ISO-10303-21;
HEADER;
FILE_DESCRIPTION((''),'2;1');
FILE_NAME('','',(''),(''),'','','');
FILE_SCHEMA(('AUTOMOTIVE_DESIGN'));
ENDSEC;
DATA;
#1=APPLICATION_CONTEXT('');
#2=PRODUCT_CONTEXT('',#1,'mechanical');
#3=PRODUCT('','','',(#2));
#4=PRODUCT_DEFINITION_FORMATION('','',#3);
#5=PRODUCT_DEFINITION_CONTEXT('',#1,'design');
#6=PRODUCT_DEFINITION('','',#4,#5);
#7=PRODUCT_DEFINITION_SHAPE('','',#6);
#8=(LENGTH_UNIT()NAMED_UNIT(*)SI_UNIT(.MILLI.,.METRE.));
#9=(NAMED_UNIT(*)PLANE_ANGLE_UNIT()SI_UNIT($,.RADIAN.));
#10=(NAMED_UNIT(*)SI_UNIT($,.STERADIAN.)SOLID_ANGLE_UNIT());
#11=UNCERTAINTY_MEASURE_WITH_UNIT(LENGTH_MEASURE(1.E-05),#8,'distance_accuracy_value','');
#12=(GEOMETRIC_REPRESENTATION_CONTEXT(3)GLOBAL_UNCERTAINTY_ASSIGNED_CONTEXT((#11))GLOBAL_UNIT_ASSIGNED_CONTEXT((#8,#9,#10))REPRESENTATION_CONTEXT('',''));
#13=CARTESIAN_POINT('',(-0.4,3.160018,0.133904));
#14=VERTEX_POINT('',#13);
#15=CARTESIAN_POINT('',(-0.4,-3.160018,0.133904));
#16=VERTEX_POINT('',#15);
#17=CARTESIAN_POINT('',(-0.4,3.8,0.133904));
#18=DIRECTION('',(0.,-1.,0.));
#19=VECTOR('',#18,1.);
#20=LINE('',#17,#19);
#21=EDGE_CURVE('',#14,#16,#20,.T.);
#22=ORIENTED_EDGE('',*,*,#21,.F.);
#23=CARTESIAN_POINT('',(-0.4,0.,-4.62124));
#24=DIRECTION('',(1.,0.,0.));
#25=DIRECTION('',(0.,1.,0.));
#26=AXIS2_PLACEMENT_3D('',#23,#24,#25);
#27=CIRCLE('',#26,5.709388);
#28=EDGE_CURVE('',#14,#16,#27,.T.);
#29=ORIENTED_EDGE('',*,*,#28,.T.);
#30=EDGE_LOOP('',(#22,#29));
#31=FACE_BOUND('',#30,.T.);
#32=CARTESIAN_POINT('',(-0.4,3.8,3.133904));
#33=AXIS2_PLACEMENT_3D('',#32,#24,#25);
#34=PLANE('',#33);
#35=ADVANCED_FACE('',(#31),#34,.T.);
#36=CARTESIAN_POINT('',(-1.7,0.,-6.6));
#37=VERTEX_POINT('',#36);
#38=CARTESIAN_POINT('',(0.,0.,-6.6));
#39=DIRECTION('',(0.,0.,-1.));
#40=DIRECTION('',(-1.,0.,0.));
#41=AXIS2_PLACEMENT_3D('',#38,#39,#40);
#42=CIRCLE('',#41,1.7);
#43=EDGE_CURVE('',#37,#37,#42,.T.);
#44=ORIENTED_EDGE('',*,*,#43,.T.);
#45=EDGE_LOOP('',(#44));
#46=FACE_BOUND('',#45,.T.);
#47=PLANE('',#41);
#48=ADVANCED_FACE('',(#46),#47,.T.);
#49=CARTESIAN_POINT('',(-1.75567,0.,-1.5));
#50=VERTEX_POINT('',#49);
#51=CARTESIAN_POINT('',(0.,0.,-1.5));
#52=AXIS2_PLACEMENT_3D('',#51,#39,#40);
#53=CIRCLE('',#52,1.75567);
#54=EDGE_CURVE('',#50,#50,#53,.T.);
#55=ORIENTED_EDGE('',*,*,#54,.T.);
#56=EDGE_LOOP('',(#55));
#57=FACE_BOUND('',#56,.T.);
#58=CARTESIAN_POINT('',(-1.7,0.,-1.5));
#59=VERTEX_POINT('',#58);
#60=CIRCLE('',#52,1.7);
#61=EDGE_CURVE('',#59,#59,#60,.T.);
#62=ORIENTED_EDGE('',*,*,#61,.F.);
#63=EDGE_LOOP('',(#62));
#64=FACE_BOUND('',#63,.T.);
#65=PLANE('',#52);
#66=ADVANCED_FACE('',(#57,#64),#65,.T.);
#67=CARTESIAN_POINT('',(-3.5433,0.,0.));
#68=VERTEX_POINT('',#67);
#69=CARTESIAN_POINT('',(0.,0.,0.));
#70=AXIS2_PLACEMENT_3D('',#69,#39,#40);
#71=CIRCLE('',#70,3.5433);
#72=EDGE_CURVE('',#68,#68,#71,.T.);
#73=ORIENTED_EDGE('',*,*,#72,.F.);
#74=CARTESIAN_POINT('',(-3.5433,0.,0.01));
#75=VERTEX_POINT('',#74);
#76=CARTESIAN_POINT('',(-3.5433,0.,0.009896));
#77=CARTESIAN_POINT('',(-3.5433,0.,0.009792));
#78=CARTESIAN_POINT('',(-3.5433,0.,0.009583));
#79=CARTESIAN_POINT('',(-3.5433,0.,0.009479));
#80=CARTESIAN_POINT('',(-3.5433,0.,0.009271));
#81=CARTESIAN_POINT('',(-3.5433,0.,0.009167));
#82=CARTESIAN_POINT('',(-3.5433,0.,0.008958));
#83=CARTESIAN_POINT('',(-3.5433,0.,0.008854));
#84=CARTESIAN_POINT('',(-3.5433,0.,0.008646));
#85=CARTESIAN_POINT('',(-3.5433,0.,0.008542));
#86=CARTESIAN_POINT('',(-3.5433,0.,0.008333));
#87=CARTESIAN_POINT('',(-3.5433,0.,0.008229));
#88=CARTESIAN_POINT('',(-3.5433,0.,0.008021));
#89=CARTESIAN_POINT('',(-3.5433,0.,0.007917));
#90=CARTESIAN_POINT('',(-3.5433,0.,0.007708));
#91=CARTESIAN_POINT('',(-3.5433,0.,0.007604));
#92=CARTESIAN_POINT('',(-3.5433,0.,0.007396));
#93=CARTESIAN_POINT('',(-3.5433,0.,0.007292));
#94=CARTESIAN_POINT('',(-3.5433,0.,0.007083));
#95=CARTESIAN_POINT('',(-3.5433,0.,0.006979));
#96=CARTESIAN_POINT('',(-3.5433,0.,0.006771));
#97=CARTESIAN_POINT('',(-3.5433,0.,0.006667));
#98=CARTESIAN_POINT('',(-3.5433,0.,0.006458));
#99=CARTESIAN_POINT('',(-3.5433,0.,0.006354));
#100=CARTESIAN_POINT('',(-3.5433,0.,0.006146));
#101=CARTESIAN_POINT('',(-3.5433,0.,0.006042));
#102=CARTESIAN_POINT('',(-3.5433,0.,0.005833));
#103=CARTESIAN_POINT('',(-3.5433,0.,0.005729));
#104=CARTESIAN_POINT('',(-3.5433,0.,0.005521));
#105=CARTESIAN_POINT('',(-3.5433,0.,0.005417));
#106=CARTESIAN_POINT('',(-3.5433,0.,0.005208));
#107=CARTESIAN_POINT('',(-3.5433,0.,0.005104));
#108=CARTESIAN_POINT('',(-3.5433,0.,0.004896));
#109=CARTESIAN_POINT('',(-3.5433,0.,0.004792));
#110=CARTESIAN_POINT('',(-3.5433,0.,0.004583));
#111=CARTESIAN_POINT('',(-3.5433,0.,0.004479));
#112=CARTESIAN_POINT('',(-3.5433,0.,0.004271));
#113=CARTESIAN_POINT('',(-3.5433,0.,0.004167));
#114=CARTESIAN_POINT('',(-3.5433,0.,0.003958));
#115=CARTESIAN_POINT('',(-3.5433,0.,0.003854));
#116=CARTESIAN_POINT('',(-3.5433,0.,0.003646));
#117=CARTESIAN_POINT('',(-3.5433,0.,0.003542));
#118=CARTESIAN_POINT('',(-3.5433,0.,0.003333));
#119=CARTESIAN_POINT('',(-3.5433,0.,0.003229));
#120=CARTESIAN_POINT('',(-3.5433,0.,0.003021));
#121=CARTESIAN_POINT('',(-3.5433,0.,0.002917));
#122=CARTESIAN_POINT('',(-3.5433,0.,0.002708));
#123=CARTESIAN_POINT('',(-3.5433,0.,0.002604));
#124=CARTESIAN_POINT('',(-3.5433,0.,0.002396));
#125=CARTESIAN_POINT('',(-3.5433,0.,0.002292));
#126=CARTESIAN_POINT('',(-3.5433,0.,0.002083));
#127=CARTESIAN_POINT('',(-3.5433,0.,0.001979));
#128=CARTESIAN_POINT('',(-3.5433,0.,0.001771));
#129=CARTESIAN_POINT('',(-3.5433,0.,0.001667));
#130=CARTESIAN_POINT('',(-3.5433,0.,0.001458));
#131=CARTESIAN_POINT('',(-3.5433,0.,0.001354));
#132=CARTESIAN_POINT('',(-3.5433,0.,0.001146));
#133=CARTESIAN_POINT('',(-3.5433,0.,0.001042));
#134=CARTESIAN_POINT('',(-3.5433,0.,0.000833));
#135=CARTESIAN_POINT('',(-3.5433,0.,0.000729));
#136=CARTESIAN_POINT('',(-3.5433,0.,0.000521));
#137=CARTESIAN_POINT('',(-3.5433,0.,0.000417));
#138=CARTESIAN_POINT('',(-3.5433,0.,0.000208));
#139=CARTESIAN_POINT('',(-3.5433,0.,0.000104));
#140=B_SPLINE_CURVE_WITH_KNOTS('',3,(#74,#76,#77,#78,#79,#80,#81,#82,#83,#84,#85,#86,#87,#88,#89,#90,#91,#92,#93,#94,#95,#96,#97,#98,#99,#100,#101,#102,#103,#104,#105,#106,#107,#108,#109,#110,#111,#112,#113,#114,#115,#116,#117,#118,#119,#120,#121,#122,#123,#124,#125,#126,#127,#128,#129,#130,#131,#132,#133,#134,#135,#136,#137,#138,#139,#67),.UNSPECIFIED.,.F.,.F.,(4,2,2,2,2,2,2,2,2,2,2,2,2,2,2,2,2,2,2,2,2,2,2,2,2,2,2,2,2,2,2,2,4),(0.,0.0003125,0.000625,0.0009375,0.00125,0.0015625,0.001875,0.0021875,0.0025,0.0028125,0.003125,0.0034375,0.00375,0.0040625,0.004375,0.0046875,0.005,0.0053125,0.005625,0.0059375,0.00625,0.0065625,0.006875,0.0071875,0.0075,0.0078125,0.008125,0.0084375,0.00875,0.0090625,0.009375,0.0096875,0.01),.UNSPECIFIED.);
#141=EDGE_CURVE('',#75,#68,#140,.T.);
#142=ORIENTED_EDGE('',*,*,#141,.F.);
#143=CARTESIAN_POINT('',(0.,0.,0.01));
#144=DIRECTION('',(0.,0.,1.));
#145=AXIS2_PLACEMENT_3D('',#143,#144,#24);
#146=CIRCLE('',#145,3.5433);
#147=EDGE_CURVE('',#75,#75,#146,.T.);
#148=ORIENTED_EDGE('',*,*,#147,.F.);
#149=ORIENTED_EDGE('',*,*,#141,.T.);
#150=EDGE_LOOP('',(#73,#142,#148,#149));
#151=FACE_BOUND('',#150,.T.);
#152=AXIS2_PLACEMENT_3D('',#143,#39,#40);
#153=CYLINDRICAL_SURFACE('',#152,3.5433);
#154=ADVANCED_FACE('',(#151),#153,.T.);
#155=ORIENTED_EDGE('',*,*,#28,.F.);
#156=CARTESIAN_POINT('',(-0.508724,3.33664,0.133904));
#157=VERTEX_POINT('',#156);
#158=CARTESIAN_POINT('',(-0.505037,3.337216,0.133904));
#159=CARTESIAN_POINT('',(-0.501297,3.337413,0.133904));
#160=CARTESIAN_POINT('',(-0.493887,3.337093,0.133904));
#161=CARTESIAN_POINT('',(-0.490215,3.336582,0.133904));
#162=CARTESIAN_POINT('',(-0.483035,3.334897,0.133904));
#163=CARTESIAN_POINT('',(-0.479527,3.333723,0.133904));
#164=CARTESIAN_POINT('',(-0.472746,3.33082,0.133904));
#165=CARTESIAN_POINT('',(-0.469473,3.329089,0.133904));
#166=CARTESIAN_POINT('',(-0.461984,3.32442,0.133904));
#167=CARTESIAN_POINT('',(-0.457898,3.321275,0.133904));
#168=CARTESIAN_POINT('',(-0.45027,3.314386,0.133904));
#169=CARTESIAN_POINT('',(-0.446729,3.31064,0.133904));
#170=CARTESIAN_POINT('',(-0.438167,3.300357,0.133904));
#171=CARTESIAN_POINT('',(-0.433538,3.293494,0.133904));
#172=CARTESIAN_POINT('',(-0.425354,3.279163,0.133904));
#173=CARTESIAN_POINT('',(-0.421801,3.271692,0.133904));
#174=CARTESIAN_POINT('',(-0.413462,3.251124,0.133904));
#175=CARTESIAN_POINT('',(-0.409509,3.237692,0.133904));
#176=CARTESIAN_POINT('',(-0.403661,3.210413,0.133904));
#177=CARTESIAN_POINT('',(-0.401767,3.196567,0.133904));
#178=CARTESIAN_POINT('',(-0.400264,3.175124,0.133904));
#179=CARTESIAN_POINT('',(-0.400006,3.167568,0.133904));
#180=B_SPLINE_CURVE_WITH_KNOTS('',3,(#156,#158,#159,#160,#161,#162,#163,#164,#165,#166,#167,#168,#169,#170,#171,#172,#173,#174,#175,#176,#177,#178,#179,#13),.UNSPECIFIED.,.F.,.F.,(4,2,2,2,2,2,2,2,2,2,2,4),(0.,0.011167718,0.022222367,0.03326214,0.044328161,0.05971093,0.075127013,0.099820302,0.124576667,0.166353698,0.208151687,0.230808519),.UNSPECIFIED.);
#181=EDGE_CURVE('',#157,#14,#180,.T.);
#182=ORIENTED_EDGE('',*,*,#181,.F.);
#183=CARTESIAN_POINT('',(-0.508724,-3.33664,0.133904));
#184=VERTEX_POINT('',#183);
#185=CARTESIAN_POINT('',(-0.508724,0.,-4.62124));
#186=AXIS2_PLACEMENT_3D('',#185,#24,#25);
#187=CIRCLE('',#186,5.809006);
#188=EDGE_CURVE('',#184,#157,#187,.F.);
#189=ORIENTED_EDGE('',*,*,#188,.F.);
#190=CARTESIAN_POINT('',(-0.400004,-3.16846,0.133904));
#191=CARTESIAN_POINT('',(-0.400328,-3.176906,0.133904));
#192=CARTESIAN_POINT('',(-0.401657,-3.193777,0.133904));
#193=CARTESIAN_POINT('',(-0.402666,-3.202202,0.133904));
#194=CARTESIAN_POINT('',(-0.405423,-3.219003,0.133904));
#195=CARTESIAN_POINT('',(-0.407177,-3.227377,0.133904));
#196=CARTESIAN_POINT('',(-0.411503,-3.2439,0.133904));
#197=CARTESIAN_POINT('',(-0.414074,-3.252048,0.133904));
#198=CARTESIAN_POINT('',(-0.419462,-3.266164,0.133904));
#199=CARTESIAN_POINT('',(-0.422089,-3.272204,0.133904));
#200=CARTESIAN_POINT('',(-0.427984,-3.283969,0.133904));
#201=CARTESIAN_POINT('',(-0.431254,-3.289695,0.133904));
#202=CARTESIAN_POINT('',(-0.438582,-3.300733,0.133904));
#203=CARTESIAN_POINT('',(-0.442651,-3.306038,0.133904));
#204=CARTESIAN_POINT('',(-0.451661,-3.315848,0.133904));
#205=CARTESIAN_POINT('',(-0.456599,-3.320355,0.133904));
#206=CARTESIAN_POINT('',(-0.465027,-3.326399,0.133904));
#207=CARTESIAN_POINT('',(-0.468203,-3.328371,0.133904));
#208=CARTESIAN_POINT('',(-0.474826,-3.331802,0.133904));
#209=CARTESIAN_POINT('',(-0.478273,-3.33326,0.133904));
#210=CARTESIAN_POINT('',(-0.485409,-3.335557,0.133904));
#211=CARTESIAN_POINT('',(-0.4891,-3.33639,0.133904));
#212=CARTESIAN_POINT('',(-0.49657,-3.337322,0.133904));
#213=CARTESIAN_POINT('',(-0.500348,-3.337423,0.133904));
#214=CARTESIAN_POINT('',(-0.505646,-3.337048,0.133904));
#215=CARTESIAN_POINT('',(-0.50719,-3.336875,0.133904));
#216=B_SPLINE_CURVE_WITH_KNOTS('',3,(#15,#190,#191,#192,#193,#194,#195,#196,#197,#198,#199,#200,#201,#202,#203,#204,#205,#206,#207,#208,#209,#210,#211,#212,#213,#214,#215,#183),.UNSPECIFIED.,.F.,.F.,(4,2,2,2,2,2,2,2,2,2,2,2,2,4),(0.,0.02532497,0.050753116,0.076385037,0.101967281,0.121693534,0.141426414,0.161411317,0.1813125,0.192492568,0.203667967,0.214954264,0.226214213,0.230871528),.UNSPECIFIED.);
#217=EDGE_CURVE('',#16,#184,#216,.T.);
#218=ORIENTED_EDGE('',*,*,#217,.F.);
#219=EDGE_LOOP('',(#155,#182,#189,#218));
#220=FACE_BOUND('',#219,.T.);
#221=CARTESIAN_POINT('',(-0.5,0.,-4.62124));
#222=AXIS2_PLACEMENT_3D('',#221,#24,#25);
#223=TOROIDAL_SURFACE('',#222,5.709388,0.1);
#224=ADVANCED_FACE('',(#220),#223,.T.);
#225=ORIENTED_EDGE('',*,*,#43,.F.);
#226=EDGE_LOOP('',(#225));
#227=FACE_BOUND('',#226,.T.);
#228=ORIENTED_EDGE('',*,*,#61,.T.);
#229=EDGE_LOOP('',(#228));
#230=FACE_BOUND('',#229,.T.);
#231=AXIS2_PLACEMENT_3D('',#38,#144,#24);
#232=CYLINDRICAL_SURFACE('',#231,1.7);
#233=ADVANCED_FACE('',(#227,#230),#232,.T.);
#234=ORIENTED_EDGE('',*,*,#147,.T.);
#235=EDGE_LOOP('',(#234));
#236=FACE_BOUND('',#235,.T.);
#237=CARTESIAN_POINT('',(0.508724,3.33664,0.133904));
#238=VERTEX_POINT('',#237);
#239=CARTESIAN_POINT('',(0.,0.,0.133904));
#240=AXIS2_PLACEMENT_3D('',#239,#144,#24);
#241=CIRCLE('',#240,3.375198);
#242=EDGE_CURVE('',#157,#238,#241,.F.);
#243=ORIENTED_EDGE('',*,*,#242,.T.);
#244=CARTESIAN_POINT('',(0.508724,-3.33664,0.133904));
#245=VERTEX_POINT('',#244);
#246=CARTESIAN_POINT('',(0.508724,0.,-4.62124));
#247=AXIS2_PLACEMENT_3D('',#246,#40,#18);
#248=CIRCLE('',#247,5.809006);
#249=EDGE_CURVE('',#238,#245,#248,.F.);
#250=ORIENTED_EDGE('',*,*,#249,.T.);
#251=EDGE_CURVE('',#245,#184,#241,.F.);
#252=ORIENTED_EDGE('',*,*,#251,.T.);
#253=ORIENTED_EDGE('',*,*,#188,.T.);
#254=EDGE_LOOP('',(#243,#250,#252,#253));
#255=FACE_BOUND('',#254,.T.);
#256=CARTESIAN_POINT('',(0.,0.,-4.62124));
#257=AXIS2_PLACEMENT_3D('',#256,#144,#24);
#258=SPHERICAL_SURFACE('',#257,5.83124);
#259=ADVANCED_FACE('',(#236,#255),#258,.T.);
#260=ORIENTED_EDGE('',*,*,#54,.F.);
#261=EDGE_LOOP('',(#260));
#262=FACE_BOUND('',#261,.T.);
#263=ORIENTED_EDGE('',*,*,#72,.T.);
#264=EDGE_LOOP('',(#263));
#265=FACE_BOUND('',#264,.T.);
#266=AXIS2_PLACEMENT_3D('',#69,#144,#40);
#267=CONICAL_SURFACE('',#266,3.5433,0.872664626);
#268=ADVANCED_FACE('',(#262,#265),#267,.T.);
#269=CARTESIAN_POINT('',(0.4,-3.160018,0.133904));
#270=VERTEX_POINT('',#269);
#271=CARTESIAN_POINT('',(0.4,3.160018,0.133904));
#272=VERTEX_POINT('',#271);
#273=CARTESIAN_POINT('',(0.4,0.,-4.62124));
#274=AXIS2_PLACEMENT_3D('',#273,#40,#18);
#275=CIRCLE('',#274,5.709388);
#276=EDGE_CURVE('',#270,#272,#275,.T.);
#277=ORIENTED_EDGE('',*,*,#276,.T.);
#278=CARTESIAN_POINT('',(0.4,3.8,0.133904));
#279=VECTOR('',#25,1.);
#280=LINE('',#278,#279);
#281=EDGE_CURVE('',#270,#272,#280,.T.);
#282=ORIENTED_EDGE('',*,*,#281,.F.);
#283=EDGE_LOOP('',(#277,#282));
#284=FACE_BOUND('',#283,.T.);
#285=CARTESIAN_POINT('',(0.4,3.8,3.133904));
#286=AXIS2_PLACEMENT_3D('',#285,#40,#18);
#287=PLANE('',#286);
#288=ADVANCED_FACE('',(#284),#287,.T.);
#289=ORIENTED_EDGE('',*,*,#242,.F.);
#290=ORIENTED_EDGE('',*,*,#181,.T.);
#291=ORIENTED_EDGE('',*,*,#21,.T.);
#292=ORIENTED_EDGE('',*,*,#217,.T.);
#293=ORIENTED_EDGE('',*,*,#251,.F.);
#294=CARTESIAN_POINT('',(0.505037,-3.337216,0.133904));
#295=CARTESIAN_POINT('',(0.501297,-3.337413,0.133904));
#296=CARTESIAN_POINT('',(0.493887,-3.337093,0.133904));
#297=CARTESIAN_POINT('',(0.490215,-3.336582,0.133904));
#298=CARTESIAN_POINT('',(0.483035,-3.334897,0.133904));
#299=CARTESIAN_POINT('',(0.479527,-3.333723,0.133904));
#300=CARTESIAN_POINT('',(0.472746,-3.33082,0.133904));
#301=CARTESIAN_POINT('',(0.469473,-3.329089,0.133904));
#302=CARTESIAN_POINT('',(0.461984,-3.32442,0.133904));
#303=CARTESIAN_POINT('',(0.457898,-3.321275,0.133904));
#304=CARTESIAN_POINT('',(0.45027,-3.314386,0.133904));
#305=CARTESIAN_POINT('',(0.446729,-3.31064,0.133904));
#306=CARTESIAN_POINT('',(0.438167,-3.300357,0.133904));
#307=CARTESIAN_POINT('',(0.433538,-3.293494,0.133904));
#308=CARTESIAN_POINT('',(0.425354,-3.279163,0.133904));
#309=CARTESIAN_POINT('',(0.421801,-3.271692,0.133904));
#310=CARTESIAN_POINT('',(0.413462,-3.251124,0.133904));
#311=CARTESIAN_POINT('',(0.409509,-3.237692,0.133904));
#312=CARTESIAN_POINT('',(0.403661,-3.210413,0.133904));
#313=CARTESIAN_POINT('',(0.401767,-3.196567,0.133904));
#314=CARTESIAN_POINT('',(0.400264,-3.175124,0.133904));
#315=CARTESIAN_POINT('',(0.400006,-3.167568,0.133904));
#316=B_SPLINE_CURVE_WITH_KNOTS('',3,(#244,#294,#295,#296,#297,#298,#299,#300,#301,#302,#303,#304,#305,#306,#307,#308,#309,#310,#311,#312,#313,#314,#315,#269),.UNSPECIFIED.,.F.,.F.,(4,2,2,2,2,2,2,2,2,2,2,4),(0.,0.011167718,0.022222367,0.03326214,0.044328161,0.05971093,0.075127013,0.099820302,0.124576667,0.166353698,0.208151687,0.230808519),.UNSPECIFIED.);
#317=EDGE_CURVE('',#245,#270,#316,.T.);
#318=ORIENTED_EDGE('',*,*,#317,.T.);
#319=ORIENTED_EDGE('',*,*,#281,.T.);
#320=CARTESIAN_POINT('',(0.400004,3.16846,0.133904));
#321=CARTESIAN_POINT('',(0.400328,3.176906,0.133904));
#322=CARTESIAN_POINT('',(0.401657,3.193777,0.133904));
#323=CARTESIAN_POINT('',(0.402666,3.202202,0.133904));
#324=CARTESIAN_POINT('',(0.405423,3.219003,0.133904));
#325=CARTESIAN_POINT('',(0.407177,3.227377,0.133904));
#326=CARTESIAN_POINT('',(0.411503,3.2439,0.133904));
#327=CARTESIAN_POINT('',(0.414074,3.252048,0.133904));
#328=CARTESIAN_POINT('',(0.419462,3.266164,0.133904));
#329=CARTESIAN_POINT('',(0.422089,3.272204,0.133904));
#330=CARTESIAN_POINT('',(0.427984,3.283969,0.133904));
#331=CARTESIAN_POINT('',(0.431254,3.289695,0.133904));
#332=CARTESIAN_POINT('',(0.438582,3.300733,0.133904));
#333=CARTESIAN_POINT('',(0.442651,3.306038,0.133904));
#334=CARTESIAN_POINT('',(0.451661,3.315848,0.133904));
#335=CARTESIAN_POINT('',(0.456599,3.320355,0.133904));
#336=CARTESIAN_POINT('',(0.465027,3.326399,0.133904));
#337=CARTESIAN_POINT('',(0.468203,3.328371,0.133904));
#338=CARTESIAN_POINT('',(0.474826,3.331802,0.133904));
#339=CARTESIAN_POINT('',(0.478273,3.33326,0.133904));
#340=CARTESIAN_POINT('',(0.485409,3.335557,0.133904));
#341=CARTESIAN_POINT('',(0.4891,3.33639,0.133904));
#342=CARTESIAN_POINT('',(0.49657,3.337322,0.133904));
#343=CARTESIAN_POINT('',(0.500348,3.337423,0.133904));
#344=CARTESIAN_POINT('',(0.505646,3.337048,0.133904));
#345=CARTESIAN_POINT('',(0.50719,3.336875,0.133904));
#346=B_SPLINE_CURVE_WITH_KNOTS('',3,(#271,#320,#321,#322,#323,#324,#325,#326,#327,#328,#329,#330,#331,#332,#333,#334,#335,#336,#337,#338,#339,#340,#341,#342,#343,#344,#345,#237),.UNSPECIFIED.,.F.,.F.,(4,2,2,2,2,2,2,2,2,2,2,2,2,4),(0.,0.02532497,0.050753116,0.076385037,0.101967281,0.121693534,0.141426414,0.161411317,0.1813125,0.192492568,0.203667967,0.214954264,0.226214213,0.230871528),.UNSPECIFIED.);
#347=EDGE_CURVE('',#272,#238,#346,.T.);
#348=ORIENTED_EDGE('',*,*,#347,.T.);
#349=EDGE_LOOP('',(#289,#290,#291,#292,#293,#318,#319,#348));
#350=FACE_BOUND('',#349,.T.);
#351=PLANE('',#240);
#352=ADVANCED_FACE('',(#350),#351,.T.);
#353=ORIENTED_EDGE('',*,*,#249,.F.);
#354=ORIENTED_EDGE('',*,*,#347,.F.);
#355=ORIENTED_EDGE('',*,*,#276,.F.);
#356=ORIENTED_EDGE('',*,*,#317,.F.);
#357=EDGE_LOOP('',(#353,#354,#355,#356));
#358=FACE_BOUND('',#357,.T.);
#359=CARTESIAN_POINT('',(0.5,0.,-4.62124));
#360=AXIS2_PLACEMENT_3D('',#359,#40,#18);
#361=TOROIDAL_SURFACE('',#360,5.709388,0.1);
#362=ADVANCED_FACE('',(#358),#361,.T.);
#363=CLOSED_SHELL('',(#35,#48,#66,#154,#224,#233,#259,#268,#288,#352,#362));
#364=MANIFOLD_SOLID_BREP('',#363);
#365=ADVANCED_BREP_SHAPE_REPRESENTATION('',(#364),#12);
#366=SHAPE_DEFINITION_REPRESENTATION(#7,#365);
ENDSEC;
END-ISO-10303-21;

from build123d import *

# Parameters (mm, degrees)
SKETCH1_R           = 3.5433
BOSS_EXTRUDE1_DEPTH = 0.01
DOME1_FACE_RADIUS   = 3.5433
DOME1_HEIGHT        = 1.2
SKETCH2_R           = 3.5433
BOSS_EXTRUDE2_DEPTH = 1.5
BOSS_EXTRUDE2_TAPER = 50
SKETCH3_R           = 1.7
BOSS_EXTRUDE3_DEPTH = 5.1
SKETCH4_W           = 0.8
SKETCH4_H           = 7.6
CUT_EXTRUDE1_DEPTH  = 3
FILLET3_R           = 0.1


with BuildPart() as part:
    # Sketch1 → Boss-Extrude1 (new body)
    with BuildSketch(Plane.XY):
        with Locations(Location((0, 0, 0), (0, 0, 180))):
            Circle(SKETCH1_R)
    extrude(amount=BOSS_EXTRUDE1_DEPTH)

    # Dome1: a dome of height H over a round flat face of radius A is a cap of a sphere of radius (A * A + H * H) / (2 * H)
    dome1_r = (DOME1_FACE_RADIUS * DOME1_FACE_RADIUS + DOME1_HEIGHT * DOME1_HEIGHT) / (2 * DOME1_HEIGHT)
    dome1_base = Plane((0, 0, 0.01), z_dir=(0, 0, 1))
    with Locations(dome1_base.offset(DOME1_HEIGHT - dome1_r)):
        dome1_ball = Sphere(dome1_r, mode=Mode.PRIVATE)
    add(split(dome1_ball, bisect_by=dome1_base, keep=Keep.TOP, mode=Mode.PRIVATE))

    # Sketch2 → Boss-Extrude2 (add)
    with BuildSketch(Plane(origin=(0, 0, 0), x_dir=(-1, 0, 0), z_dir=(0, 0, -1))):
        Circle(SKETCH2_R)
    extrude(amount=BOSS_EXTRUDE2_DEPTH, taper=BOSS_EXTRUDE2_TAPER)

    # Sketch3 → Boss-Extrude3 (add)
    with BuildSketch(Plane(origin=(0, 0, -1.5), x_dir=(-1, 0, 0), z_dir=(0, 0, -1))):
        Circle(SKETCH3_R)
    extrude(amount=BOSS_EXTRUDE3_DEPTH)

    # Sketch4 → Cut-Extrude1 (cut)
    with BuildSketch(Plane.XY.offset(0.133904)):
        Rectangle(SKETCH4_W, SKETCH4_H)
    extrude(amount=CUT_EXTRUDE1_DEPTH, mode=Mode.SUBTRACT)

    # Fillet3
    fillet3_edges = [part.edges().sort_by_distance(p)[0] for p in [
        (0.4, -1.757880439, 0.924318226),
        (-0.4, 0, 1.196264613),
    ]]
    fillet(fillet3_edges, radius=FILLET3_R)


solid = part.part
